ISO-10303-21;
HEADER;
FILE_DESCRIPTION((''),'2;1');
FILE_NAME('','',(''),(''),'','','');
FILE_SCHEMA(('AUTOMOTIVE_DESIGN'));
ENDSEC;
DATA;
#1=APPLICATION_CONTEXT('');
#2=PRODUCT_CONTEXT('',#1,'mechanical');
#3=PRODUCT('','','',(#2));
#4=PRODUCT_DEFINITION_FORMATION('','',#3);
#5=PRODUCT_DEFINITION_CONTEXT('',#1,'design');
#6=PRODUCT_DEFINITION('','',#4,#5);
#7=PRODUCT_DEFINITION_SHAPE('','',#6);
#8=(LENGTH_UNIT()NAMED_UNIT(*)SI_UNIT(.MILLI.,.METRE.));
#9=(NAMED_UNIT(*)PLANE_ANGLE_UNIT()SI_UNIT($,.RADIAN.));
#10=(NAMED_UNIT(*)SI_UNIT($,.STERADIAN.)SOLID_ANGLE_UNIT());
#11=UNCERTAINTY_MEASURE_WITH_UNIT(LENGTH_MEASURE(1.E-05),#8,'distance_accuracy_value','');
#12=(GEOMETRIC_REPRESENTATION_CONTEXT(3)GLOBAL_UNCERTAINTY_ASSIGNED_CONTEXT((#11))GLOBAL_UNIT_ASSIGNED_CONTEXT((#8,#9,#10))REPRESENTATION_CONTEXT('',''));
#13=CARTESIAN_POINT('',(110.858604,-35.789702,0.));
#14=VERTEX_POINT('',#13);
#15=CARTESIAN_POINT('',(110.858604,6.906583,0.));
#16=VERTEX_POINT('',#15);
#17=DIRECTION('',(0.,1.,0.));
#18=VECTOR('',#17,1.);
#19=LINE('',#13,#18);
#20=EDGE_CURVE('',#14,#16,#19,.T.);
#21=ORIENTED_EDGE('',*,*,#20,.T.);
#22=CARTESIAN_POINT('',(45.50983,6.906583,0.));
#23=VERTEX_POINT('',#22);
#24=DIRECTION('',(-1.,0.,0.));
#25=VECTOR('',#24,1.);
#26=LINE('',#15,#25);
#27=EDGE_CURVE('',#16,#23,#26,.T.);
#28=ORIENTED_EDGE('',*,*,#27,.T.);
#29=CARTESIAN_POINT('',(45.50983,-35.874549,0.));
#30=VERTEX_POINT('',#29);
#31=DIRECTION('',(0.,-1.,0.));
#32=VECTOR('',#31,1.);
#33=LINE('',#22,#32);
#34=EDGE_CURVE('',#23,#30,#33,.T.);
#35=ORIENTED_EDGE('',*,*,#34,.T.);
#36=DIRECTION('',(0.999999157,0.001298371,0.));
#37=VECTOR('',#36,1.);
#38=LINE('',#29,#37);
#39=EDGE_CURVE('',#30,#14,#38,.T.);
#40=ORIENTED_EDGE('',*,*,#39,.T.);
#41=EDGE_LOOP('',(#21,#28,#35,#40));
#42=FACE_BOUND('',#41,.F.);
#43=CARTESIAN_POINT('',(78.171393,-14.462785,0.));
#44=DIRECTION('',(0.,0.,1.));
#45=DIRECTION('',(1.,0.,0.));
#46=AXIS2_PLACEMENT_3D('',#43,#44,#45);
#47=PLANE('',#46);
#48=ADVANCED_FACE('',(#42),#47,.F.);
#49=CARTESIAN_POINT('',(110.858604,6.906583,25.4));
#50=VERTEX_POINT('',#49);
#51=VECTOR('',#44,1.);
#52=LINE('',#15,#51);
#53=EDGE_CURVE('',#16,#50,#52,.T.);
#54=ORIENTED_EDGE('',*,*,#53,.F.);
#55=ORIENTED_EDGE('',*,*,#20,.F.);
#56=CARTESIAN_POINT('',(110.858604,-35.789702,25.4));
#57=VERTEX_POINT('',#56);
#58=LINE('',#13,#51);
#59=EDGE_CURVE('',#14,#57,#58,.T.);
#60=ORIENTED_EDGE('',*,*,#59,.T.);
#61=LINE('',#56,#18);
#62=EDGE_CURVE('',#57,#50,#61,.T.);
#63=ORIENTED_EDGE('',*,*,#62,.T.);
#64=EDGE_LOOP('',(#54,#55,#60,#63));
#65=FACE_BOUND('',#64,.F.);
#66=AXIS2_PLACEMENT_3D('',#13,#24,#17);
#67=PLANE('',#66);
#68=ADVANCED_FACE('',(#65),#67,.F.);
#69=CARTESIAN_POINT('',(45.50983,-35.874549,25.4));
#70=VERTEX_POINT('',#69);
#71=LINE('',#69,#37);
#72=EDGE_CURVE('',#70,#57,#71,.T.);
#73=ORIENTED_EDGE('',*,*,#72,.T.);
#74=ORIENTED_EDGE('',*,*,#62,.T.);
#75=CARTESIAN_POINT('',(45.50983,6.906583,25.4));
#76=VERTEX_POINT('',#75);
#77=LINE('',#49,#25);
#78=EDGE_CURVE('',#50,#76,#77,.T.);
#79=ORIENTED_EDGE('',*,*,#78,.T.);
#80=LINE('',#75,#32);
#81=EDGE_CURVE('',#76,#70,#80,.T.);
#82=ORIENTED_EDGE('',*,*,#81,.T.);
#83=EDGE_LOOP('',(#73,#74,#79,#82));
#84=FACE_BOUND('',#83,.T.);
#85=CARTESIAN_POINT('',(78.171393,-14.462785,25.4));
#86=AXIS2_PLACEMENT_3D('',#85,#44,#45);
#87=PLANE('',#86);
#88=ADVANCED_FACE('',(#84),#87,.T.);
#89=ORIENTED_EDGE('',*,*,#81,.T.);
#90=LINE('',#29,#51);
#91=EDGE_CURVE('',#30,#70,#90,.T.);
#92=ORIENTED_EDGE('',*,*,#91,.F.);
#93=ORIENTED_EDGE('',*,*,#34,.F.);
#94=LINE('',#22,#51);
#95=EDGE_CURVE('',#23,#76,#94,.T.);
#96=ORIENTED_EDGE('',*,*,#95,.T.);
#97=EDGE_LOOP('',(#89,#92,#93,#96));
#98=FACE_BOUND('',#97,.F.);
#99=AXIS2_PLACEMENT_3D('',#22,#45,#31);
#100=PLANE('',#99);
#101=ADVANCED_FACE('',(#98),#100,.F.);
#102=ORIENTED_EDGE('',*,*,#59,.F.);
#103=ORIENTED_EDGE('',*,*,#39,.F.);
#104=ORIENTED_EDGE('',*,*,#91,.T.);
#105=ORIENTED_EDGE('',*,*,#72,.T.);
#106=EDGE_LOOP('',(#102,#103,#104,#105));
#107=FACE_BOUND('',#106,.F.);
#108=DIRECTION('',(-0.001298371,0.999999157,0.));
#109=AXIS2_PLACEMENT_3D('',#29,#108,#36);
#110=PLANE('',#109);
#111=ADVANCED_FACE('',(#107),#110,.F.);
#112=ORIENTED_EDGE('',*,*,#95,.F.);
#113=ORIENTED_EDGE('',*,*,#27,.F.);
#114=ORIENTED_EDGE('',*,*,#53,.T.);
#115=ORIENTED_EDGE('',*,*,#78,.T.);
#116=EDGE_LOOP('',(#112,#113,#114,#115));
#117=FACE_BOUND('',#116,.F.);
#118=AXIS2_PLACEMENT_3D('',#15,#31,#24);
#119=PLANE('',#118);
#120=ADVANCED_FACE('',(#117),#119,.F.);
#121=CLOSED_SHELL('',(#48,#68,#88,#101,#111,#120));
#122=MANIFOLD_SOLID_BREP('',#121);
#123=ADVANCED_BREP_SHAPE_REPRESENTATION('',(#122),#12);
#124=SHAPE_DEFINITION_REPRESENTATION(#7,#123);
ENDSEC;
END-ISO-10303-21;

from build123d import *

# Parameters (mm, degrees)
F1_DEPTH = 25.4
F2_DEPTH = 25.4


with BuildPart() as f1:
    # F0 (on Top) → F1 (new body)
    with BuildSketch(Plane.XY):
        Polygon((110.858604, 6.906583), (45.50983, 6.906583), (45.50983, -35.874549), (110.858604, -35.789702), align=None)
    extrude(amount=F1_DEPTH)

    # F0 (on Top) → F2 (join)
    with BuildSketch(Plane.XY):
        Polygon((110.858604, 6.906583), (45.50983, 6.906583), (45.50983, -35.874549), (110.858604, -35.789702), align=None)
    extrude(amount=F2_DEPTH)


solid = f1.part
